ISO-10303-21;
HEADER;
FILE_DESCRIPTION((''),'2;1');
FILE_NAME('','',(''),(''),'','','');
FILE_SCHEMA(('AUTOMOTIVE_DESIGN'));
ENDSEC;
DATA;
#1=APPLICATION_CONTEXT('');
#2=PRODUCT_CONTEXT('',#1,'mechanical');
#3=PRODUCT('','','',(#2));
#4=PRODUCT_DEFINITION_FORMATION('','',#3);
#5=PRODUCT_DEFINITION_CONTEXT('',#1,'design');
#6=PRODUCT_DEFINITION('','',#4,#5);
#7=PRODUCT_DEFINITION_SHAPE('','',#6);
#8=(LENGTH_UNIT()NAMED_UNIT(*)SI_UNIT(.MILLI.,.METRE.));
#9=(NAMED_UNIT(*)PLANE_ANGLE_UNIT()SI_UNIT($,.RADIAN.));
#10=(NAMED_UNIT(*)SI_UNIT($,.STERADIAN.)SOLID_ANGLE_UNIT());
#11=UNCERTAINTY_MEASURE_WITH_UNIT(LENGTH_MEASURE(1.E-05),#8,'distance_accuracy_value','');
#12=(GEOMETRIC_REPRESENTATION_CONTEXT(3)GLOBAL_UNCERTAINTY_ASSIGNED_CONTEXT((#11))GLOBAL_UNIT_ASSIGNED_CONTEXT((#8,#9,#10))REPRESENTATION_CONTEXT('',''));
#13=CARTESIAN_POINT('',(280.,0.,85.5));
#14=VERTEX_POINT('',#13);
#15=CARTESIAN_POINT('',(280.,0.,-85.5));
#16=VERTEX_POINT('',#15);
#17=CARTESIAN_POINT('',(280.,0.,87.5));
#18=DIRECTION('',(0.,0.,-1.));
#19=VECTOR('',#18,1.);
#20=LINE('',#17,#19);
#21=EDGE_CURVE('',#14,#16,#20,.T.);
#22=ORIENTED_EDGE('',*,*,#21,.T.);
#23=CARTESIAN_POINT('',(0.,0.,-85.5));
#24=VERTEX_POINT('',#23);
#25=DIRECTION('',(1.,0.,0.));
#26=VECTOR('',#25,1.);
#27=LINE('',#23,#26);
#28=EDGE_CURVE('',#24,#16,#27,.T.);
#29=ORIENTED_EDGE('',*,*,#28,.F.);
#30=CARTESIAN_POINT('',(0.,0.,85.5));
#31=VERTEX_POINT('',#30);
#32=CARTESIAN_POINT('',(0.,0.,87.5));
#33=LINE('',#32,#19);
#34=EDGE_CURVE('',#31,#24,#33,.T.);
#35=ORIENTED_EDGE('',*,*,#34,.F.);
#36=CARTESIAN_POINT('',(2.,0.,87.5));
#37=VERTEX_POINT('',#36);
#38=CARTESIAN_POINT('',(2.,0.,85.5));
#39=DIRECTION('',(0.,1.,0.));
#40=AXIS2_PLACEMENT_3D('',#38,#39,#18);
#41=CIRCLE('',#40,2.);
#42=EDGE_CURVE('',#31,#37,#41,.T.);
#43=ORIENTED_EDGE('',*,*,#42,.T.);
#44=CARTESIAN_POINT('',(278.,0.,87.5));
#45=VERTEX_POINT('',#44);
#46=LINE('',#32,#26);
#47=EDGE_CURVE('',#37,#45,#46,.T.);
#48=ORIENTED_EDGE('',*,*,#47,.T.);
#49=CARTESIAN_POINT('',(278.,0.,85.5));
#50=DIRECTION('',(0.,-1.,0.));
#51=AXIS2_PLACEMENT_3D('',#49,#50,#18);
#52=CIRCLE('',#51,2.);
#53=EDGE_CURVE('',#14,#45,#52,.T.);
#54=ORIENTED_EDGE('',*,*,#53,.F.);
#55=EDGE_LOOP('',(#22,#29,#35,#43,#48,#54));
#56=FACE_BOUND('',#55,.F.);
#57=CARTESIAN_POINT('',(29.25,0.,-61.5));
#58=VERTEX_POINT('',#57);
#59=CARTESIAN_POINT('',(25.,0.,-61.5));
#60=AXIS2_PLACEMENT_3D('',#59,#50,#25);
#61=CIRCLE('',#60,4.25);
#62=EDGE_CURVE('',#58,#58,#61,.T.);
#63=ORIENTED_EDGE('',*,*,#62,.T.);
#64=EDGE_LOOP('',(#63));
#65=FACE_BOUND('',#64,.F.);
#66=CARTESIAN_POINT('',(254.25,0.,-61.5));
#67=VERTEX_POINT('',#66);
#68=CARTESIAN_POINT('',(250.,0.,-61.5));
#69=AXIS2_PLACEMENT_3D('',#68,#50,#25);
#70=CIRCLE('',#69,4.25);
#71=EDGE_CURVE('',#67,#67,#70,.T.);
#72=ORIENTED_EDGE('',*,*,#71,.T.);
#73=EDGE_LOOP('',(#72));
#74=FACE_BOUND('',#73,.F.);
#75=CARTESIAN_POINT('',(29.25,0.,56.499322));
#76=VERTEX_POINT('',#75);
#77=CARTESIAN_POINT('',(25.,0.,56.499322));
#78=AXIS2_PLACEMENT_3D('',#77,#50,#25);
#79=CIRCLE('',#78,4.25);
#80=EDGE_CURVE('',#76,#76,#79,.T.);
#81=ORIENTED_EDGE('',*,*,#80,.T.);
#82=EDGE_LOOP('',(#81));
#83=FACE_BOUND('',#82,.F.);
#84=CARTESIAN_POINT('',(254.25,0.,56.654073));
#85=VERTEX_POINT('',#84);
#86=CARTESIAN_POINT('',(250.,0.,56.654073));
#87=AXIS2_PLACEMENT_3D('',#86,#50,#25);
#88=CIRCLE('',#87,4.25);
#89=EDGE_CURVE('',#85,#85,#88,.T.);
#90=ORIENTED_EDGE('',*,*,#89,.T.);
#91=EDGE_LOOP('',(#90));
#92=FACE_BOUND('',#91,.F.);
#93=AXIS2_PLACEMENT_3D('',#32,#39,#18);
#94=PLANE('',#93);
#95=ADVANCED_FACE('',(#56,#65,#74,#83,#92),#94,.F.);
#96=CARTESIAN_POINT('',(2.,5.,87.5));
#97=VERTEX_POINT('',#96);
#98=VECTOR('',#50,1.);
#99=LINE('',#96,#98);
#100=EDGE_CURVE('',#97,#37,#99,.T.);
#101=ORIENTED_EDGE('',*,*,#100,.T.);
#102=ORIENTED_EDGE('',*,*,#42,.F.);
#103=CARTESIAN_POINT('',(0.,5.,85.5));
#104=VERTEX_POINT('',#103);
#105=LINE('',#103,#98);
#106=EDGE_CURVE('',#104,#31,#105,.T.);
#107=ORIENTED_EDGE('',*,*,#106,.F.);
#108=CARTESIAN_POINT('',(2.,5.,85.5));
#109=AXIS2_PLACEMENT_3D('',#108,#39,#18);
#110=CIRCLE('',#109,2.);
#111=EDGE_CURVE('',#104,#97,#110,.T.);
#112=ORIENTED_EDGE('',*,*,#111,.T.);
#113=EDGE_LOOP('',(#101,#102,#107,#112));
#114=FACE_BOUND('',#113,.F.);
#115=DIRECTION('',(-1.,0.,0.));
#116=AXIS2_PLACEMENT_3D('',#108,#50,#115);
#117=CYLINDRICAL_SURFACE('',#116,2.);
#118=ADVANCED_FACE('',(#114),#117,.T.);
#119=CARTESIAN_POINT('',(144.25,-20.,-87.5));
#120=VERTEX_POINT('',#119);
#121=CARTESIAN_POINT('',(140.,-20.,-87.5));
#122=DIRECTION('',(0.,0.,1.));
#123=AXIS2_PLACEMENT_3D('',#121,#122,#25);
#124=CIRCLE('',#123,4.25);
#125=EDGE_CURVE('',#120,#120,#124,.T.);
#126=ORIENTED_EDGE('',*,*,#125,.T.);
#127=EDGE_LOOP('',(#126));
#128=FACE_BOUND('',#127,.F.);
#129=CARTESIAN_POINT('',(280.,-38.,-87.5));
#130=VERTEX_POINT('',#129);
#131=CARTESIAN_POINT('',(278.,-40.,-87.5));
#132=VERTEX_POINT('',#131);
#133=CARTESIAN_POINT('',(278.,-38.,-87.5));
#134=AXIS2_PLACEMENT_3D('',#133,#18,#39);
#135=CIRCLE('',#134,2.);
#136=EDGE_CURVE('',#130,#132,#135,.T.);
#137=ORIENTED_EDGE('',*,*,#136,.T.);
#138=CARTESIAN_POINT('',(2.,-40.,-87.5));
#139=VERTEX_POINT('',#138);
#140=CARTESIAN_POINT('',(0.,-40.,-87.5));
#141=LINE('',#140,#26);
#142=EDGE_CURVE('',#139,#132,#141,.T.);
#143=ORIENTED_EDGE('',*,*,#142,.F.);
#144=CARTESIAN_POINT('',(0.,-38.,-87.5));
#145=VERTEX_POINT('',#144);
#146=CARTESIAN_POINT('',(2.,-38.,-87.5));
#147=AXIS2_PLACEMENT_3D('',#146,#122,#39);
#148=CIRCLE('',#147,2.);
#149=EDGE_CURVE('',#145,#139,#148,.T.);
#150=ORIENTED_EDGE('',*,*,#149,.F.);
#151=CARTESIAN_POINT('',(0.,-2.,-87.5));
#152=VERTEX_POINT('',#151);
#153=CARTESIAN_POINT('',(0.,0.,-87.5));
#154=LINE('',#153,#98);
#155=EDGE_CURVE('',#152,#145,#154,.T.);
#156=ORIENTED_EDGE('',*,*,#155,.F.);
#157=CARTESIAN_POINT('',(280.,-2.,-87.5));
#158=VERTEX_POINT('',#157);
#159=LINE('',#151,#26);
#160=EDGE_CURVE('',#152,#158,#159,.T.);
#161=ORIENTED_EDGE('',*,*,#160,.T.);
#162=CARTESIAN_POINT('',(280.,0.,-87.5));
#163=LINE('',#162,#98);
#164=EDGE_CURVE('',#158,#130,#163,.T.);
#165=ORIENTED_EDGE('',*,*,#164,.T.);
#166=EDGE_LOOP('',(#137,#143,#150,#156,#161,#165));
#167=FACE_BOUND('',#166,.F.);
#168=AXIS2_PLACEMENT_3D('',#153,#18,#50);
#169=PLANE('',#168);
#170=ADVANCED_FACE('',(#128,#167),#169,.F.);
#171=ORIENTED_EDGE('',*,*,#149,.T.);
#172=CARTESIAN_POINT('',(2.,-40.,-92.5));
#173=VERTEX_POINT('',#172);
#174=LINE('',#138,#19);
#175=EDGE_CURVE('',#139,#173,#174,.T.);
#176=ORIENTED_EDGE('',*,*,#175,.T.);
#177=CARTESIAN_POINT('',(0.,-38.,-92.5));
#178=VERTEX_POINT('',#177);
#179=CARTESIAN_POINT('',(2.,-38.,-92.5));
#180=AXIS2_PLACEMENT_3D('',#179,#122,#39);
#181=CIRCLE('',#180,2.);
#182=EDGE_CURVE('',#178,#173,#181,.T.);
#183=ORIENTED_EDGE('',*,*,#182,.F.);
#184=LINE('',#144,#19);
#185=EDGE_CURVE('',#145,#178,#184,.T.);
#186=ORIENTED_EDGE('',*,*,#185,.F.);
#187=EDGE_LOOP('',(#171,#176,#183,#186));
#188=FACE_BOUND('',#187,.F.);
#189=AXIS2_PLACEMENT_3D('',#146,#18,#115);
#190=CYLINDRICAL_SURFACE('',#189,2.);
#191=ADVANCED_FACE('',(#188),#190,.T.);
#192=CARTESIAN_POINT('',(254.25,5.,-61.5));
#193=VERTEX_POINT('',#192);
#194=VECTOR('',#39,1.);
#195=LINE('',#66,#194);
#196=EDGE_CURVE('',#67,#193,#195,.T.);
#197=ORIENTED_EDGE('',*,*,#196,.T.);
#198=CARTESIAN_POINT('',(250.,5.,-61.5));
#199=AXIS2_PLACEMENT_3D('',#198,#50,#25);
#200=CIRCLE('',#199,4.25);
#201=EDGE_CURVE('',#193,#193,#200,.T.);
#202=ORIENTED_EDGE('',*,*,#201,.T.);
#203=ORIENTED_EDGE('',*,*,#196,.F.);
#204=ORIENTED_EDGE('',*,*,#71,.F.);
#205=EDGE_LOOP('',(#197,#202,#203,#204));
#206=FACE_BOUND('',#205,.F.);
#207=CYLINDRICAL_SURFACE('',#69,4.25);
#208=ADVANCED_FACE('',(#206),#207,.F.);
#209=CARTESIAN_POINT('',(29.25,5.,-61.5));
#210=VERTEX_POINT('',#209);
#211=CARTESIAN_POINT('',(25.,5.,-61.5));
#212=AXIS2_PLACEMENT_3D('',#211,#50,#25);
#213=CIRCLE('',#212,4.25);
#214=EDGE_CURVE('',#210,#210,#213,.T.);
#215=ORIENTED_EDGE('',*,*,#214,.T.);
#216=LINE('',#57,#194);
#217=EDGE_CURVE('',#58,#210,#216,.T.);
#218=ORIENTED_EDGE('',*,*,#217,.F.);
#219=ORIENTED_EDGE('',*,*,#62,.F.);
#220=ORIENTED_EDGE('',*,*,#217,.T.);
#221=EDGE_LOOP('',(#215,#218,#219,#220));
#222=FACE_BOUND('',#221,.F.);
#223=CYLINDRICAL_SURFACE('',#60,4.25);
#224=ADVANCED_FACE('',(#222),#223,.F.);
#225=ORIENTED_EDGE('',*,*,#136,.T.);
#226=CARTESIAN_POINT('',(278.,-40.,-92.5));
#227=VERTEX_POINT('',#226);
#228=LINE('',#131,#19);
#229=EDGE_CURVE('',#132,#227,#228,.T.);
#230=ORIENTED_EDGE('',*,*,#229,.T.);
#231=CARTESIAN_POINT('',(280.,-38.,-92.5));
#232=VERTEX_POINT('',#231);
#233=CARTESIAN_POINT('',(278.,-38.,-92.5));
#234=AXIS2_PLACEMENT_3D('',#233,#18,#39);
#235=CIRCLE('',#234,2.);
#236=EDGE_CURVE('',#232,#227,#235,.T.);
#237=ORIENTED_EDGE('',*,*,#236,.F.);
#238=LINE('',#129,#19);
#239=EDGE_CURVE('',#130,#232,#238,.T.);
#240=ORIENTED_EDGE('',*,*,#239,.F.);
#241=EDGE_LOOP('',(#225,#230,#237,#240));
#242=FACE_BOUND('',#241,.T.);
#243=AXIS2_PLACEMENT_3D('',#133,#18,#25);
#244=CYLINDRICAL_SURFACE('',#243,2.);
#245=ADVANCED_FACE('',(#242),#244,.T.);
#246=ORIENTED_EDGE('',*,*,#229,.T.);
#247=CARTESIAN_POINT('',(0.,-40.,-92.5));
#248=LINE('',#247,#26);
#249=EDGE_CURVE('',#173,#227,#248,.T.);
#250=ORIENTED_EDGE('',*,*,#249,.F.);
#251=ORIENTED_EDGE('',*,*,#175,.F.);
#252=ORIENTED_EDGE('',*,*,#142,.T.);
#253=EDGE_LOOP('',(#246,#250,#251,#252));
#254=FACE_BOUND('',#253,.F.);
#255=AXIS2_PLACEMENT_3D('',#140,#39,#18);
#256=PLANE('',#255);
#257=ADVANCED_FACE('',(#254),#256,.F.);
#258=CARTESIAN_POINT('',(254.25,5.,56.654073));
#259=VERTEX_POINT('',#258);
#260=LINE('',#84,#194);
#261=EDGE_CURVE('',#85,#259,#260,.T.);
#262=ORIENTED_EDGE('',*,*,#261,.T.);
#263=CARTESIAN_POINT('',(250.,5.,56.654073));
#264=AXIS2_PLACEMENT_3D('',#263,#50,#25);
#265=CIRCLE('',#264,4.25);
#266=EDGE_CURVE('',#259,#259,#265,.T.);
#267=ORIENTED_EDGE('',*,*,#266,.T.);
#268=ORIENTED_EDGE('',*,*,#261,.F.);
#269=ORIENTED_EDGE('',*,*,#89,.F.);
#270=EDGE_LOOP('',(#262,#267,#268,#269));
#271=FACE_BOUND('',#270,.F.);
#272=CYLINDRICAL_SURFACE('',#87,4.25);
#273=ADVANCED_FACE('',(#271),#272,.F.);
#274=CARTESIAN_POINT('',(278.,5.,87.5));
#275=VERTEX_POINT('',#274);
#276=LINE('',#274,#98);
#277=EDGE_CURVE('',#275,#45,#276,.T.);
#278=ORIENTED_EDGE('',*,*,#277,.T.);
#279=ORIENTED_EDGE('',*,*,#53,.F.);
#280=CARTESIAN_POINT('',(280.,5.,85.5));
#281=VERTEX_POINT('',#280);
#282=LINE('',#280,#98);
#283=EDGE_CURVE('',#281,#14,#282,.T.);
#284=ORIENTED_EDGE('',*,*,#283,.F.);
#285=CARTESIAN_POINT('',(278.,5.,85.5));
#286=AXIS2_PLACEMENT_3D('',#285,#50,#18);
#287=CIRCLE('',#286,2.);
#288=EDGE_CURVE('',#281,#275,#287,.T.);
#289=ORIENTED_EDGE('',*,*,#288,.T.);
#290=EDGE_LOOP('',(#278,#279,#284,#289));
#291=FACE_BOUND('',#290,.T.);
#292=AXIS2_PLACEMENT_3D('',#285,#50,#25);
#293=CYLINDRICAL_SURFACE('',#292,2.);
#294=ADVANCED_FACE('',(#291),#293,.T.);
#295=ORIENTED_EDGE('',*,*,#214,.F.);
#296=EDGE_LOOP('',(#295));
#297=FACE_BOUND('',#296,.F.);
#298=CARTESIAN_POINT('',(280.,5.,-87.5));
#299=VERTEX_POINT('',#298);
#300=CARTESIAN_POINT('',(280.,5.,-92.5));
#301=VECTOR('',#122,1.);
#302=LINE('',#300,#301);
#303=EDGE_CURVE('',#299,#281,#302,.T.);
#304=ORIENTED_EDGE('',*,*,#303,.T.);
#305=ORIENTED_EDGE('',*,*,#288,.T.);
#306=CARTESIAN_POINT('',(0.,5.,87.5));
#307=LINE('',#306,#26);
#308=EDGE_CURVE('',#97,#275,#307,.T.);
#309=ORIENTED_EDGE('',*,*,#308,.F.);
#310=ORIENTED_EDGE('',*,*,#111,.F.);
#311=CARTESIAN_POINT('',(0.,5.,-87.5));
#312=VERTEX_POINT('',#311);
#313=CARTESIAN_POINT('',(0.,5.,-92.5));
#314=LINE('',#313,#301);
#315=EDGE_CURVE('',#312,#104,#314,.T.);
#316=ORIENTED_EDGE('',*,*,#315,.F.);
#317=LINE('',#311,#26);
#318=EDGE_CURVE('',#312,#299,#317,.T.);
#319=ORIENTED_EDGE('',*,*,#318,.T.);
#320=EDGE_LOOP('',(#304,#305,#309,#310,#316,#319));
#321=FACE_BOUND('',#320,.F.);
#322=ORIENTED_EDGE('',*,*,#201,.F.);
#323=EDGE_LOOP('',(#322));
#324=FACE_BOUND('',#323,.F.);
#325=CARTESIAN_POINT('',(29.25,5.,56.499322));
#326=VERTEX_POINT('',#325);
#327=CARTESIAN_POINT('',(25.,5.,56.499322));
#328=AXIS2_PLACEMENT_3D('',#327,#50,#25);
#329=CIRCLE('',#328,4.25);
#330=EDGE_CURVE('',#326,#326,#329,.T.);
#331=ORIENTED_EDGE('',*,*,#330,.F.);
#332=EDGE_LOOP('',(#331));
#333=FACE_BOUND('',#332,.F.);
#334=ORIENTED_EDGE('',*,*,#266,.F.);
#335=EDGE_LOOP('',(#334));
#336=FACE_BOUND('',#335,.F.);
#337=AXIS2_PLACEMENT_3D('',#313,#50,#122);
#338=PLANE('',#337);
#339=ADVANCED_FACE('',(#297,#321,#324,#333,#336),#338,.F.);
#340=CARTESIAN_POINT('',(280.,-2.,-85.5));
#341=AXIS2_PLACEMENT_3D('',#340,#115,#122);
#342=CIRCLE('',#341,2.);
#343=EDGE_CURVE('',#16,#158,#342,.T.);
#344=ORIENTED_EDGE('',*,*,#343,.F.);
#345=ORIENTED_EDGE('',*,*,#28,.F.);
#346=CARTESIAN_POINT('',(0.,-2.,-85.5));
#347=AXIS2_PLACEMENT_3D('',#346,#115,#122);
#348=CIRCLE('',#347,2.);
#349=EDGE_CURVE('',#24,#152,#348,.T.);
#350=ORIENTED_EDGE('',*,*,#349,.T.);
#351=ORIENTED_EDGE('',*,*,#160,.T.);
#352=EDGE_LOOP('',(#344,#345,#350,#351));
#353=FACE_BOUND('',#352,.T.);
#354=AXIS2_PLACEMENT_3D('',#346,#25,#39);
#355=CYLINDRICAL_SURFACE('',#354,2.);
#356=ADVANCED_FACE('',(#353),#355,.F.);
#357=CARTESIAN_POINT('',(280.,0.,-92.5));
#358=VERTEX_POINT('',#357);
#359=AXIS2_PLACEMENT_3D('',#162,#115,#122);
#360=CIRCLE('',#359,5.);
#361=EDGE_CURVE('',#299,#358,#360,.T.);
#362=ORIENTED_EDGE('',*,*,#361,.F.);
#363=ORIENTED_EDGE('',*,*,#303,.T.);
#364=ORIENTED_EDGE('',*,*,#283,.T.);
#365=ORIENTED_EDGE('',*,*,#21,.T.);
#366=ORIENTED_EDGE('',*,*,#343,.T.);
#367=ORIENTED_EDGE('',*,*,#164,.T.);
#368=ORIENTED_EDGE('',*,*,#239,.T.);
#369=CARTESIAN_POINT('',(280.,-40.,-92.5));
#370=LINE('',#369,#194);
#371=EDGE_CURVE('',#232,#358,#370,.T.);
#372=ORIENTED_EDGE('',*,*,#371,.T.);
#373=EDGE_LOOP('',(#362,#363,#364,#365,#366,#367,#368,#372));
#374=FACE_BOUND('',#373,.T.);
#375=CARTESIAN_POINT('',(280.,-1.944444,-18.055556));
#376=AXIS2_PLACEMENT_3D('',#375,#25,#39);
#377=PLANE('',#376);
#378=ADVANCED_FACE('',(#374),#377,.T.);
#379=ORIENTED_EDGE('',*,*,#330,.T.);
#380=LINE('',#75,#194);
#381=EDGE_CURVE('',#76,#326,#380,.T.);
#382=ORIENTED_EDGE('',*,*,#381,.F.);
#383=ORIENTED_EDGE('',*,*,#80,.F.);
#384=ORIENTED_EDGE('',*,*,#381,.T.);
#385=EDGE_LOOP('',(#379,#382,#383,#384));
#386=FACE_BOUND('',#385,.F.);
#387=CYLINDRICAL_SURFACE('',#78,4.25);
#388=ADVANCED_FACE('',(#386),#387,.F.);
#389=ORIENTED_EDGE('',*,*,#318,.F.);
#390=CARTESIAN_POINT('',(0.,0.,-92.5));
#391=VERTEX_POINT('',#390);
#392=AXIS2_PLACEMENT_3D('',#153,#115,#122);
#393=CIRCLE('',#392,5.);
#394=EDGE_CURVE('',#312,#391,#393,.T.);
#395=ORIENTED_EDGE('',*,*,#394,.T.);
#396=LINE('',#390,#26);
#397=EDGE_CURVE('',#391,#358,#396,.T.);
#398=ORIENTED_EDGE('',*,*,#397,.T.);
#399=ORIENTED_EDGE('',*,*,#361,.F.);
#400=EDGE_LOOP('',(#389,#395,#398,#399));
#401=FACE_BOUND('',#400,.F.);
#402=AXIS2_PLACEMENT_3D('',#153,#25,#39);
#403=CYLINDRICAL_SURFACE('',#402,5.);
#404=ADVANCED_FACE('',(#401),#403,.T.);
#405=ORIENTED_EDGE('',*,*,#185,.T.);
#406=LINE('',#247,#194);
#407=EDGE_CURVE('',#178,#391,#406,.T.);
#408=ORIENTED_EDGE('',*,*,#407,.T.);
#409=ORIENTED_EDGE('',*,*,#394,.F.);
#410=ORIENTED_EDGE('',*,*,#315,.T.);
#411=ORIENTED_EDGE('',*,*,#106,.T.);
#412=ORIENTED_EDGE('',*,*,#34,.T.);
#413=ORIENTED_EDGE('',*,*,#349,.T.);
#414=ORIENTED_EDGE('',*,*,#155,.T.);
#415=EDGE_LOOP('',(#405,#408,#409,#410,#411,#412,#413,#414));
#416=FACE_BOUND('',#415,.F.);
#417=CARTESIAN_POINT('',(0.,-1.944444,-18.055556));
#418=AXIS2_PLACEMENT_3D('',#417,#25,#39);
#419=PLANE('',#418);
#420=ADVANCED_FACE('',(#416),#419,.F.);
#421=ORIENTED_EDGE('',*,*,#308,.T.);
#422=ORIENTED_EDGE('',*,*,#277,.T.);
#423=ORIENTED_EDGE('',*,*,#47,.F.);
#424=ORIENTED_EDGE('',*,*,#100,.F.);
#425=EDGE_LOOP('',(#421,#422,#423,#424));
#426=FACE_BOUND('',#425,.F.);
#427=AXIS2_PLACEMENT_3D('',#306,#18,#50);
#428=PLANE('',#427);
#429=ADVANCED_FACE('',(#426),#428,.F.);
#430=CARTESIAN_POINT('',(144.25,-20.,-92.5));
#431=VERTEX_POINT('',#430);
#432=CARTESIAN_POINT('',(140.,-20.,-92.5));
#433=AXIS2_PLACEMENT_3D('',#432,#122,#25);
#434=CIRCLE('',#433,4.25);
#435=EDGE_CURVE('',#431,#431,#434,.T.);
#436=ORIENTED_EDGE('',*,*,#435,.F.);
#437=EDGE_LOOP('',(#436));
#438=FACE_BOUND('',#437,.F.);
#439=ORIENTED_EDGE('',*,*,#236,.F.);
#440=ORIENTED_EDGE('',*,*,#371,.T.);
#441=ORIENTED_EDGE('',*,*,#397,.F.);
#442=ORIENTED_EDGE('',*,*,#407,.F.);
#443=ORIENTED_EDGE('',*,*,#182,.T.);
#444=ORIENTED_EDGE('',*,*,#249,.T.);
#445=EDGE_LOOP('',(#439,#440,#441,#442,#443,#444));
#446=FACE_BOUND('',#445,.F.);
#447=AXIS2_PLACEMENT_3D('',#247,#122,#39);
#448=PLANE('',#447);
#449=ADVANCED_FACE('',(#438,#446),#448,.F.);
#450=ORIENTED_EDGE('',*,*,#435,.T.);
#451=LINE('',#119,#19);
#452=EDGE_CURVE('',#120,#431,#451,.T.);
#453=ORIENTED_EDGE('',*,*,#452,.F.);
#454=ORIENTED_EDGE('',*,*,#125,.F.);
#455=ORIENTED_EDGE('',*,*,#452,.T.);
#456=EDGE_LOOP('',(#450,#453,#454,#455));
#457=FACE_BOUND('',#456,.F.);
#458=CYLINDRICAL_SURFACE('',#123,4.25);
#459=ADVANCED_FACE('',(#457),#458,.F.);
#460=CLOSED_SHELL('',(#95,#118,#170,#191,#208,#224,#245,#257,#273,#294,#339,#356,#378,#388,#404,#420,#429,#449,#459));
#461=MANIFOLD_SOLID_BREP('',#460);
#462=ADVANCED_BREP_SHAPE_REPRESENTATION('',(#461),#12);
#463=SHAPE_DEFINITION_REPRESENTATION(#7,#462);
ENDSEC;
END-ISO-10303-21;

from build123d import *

# Parameters (mm, degrees)
F1_DEPTH = 280
F2_R     = 4.25
F3_DEPTH = 5.001
F4_R     = 2
F5_R     = 5
F6_R     = 4.25
F7_DEPTH = 5.001


with BuildPart() as f1:
    # F0 (on Right) → F1 (new body)
    with BuildSketch(Plane.YZ):
        Polygon((5, -92.5), (5, 87.5), (0, 87.5), (0, -87.5), (-40, -87.5), (-40, -92.5), align=None)
    extrude(amount=F1_DEPTH)

    # F2 (on face) → F3 (cut, through all)
    with BuildSketch(Plane.XZ):
        with Locations((25, 56.499322)):
            Circle(F2_R)
        with Locations((250, 56.654073)):
            Circle(F2_R)
        with Locations((250, -61.5)):
            Circle(F2_R)
        with Locations((25, -61.5)):
            Circle(F2_R)
    extrude(amount=-F3_DEPTH, mode=Mode.SUBTRACT)

    # F4
    f4_edges = [f1.edges().sort_by_distance(p)[0] for p in [
        (280, 2.5, 87.5),
        (0, 2.5, 87.5),
        (0, -40, -90),
        (280, -40, -90),
        (140, 0, -87.5),
    ]]
    fillet(f4_edges, radius=F4_R)

    # F5
    f5_edges = [f1.edges().sort_by_distance(p)[0] for p in [
        (140, 5, -92.5),
    ]]
    fillet(f5_edges, radius=F5_R)

    # F6 (on face) → F7 (cut, through all)
    with BuildSketch(Plane.XY.offset(-87.5)):
        with Locations((140, -20)):
            Circle(F6_R)
    extrude(amount=-F7_DEPTH, mode=Mode.SUBTRACT)


solid = f1.part
